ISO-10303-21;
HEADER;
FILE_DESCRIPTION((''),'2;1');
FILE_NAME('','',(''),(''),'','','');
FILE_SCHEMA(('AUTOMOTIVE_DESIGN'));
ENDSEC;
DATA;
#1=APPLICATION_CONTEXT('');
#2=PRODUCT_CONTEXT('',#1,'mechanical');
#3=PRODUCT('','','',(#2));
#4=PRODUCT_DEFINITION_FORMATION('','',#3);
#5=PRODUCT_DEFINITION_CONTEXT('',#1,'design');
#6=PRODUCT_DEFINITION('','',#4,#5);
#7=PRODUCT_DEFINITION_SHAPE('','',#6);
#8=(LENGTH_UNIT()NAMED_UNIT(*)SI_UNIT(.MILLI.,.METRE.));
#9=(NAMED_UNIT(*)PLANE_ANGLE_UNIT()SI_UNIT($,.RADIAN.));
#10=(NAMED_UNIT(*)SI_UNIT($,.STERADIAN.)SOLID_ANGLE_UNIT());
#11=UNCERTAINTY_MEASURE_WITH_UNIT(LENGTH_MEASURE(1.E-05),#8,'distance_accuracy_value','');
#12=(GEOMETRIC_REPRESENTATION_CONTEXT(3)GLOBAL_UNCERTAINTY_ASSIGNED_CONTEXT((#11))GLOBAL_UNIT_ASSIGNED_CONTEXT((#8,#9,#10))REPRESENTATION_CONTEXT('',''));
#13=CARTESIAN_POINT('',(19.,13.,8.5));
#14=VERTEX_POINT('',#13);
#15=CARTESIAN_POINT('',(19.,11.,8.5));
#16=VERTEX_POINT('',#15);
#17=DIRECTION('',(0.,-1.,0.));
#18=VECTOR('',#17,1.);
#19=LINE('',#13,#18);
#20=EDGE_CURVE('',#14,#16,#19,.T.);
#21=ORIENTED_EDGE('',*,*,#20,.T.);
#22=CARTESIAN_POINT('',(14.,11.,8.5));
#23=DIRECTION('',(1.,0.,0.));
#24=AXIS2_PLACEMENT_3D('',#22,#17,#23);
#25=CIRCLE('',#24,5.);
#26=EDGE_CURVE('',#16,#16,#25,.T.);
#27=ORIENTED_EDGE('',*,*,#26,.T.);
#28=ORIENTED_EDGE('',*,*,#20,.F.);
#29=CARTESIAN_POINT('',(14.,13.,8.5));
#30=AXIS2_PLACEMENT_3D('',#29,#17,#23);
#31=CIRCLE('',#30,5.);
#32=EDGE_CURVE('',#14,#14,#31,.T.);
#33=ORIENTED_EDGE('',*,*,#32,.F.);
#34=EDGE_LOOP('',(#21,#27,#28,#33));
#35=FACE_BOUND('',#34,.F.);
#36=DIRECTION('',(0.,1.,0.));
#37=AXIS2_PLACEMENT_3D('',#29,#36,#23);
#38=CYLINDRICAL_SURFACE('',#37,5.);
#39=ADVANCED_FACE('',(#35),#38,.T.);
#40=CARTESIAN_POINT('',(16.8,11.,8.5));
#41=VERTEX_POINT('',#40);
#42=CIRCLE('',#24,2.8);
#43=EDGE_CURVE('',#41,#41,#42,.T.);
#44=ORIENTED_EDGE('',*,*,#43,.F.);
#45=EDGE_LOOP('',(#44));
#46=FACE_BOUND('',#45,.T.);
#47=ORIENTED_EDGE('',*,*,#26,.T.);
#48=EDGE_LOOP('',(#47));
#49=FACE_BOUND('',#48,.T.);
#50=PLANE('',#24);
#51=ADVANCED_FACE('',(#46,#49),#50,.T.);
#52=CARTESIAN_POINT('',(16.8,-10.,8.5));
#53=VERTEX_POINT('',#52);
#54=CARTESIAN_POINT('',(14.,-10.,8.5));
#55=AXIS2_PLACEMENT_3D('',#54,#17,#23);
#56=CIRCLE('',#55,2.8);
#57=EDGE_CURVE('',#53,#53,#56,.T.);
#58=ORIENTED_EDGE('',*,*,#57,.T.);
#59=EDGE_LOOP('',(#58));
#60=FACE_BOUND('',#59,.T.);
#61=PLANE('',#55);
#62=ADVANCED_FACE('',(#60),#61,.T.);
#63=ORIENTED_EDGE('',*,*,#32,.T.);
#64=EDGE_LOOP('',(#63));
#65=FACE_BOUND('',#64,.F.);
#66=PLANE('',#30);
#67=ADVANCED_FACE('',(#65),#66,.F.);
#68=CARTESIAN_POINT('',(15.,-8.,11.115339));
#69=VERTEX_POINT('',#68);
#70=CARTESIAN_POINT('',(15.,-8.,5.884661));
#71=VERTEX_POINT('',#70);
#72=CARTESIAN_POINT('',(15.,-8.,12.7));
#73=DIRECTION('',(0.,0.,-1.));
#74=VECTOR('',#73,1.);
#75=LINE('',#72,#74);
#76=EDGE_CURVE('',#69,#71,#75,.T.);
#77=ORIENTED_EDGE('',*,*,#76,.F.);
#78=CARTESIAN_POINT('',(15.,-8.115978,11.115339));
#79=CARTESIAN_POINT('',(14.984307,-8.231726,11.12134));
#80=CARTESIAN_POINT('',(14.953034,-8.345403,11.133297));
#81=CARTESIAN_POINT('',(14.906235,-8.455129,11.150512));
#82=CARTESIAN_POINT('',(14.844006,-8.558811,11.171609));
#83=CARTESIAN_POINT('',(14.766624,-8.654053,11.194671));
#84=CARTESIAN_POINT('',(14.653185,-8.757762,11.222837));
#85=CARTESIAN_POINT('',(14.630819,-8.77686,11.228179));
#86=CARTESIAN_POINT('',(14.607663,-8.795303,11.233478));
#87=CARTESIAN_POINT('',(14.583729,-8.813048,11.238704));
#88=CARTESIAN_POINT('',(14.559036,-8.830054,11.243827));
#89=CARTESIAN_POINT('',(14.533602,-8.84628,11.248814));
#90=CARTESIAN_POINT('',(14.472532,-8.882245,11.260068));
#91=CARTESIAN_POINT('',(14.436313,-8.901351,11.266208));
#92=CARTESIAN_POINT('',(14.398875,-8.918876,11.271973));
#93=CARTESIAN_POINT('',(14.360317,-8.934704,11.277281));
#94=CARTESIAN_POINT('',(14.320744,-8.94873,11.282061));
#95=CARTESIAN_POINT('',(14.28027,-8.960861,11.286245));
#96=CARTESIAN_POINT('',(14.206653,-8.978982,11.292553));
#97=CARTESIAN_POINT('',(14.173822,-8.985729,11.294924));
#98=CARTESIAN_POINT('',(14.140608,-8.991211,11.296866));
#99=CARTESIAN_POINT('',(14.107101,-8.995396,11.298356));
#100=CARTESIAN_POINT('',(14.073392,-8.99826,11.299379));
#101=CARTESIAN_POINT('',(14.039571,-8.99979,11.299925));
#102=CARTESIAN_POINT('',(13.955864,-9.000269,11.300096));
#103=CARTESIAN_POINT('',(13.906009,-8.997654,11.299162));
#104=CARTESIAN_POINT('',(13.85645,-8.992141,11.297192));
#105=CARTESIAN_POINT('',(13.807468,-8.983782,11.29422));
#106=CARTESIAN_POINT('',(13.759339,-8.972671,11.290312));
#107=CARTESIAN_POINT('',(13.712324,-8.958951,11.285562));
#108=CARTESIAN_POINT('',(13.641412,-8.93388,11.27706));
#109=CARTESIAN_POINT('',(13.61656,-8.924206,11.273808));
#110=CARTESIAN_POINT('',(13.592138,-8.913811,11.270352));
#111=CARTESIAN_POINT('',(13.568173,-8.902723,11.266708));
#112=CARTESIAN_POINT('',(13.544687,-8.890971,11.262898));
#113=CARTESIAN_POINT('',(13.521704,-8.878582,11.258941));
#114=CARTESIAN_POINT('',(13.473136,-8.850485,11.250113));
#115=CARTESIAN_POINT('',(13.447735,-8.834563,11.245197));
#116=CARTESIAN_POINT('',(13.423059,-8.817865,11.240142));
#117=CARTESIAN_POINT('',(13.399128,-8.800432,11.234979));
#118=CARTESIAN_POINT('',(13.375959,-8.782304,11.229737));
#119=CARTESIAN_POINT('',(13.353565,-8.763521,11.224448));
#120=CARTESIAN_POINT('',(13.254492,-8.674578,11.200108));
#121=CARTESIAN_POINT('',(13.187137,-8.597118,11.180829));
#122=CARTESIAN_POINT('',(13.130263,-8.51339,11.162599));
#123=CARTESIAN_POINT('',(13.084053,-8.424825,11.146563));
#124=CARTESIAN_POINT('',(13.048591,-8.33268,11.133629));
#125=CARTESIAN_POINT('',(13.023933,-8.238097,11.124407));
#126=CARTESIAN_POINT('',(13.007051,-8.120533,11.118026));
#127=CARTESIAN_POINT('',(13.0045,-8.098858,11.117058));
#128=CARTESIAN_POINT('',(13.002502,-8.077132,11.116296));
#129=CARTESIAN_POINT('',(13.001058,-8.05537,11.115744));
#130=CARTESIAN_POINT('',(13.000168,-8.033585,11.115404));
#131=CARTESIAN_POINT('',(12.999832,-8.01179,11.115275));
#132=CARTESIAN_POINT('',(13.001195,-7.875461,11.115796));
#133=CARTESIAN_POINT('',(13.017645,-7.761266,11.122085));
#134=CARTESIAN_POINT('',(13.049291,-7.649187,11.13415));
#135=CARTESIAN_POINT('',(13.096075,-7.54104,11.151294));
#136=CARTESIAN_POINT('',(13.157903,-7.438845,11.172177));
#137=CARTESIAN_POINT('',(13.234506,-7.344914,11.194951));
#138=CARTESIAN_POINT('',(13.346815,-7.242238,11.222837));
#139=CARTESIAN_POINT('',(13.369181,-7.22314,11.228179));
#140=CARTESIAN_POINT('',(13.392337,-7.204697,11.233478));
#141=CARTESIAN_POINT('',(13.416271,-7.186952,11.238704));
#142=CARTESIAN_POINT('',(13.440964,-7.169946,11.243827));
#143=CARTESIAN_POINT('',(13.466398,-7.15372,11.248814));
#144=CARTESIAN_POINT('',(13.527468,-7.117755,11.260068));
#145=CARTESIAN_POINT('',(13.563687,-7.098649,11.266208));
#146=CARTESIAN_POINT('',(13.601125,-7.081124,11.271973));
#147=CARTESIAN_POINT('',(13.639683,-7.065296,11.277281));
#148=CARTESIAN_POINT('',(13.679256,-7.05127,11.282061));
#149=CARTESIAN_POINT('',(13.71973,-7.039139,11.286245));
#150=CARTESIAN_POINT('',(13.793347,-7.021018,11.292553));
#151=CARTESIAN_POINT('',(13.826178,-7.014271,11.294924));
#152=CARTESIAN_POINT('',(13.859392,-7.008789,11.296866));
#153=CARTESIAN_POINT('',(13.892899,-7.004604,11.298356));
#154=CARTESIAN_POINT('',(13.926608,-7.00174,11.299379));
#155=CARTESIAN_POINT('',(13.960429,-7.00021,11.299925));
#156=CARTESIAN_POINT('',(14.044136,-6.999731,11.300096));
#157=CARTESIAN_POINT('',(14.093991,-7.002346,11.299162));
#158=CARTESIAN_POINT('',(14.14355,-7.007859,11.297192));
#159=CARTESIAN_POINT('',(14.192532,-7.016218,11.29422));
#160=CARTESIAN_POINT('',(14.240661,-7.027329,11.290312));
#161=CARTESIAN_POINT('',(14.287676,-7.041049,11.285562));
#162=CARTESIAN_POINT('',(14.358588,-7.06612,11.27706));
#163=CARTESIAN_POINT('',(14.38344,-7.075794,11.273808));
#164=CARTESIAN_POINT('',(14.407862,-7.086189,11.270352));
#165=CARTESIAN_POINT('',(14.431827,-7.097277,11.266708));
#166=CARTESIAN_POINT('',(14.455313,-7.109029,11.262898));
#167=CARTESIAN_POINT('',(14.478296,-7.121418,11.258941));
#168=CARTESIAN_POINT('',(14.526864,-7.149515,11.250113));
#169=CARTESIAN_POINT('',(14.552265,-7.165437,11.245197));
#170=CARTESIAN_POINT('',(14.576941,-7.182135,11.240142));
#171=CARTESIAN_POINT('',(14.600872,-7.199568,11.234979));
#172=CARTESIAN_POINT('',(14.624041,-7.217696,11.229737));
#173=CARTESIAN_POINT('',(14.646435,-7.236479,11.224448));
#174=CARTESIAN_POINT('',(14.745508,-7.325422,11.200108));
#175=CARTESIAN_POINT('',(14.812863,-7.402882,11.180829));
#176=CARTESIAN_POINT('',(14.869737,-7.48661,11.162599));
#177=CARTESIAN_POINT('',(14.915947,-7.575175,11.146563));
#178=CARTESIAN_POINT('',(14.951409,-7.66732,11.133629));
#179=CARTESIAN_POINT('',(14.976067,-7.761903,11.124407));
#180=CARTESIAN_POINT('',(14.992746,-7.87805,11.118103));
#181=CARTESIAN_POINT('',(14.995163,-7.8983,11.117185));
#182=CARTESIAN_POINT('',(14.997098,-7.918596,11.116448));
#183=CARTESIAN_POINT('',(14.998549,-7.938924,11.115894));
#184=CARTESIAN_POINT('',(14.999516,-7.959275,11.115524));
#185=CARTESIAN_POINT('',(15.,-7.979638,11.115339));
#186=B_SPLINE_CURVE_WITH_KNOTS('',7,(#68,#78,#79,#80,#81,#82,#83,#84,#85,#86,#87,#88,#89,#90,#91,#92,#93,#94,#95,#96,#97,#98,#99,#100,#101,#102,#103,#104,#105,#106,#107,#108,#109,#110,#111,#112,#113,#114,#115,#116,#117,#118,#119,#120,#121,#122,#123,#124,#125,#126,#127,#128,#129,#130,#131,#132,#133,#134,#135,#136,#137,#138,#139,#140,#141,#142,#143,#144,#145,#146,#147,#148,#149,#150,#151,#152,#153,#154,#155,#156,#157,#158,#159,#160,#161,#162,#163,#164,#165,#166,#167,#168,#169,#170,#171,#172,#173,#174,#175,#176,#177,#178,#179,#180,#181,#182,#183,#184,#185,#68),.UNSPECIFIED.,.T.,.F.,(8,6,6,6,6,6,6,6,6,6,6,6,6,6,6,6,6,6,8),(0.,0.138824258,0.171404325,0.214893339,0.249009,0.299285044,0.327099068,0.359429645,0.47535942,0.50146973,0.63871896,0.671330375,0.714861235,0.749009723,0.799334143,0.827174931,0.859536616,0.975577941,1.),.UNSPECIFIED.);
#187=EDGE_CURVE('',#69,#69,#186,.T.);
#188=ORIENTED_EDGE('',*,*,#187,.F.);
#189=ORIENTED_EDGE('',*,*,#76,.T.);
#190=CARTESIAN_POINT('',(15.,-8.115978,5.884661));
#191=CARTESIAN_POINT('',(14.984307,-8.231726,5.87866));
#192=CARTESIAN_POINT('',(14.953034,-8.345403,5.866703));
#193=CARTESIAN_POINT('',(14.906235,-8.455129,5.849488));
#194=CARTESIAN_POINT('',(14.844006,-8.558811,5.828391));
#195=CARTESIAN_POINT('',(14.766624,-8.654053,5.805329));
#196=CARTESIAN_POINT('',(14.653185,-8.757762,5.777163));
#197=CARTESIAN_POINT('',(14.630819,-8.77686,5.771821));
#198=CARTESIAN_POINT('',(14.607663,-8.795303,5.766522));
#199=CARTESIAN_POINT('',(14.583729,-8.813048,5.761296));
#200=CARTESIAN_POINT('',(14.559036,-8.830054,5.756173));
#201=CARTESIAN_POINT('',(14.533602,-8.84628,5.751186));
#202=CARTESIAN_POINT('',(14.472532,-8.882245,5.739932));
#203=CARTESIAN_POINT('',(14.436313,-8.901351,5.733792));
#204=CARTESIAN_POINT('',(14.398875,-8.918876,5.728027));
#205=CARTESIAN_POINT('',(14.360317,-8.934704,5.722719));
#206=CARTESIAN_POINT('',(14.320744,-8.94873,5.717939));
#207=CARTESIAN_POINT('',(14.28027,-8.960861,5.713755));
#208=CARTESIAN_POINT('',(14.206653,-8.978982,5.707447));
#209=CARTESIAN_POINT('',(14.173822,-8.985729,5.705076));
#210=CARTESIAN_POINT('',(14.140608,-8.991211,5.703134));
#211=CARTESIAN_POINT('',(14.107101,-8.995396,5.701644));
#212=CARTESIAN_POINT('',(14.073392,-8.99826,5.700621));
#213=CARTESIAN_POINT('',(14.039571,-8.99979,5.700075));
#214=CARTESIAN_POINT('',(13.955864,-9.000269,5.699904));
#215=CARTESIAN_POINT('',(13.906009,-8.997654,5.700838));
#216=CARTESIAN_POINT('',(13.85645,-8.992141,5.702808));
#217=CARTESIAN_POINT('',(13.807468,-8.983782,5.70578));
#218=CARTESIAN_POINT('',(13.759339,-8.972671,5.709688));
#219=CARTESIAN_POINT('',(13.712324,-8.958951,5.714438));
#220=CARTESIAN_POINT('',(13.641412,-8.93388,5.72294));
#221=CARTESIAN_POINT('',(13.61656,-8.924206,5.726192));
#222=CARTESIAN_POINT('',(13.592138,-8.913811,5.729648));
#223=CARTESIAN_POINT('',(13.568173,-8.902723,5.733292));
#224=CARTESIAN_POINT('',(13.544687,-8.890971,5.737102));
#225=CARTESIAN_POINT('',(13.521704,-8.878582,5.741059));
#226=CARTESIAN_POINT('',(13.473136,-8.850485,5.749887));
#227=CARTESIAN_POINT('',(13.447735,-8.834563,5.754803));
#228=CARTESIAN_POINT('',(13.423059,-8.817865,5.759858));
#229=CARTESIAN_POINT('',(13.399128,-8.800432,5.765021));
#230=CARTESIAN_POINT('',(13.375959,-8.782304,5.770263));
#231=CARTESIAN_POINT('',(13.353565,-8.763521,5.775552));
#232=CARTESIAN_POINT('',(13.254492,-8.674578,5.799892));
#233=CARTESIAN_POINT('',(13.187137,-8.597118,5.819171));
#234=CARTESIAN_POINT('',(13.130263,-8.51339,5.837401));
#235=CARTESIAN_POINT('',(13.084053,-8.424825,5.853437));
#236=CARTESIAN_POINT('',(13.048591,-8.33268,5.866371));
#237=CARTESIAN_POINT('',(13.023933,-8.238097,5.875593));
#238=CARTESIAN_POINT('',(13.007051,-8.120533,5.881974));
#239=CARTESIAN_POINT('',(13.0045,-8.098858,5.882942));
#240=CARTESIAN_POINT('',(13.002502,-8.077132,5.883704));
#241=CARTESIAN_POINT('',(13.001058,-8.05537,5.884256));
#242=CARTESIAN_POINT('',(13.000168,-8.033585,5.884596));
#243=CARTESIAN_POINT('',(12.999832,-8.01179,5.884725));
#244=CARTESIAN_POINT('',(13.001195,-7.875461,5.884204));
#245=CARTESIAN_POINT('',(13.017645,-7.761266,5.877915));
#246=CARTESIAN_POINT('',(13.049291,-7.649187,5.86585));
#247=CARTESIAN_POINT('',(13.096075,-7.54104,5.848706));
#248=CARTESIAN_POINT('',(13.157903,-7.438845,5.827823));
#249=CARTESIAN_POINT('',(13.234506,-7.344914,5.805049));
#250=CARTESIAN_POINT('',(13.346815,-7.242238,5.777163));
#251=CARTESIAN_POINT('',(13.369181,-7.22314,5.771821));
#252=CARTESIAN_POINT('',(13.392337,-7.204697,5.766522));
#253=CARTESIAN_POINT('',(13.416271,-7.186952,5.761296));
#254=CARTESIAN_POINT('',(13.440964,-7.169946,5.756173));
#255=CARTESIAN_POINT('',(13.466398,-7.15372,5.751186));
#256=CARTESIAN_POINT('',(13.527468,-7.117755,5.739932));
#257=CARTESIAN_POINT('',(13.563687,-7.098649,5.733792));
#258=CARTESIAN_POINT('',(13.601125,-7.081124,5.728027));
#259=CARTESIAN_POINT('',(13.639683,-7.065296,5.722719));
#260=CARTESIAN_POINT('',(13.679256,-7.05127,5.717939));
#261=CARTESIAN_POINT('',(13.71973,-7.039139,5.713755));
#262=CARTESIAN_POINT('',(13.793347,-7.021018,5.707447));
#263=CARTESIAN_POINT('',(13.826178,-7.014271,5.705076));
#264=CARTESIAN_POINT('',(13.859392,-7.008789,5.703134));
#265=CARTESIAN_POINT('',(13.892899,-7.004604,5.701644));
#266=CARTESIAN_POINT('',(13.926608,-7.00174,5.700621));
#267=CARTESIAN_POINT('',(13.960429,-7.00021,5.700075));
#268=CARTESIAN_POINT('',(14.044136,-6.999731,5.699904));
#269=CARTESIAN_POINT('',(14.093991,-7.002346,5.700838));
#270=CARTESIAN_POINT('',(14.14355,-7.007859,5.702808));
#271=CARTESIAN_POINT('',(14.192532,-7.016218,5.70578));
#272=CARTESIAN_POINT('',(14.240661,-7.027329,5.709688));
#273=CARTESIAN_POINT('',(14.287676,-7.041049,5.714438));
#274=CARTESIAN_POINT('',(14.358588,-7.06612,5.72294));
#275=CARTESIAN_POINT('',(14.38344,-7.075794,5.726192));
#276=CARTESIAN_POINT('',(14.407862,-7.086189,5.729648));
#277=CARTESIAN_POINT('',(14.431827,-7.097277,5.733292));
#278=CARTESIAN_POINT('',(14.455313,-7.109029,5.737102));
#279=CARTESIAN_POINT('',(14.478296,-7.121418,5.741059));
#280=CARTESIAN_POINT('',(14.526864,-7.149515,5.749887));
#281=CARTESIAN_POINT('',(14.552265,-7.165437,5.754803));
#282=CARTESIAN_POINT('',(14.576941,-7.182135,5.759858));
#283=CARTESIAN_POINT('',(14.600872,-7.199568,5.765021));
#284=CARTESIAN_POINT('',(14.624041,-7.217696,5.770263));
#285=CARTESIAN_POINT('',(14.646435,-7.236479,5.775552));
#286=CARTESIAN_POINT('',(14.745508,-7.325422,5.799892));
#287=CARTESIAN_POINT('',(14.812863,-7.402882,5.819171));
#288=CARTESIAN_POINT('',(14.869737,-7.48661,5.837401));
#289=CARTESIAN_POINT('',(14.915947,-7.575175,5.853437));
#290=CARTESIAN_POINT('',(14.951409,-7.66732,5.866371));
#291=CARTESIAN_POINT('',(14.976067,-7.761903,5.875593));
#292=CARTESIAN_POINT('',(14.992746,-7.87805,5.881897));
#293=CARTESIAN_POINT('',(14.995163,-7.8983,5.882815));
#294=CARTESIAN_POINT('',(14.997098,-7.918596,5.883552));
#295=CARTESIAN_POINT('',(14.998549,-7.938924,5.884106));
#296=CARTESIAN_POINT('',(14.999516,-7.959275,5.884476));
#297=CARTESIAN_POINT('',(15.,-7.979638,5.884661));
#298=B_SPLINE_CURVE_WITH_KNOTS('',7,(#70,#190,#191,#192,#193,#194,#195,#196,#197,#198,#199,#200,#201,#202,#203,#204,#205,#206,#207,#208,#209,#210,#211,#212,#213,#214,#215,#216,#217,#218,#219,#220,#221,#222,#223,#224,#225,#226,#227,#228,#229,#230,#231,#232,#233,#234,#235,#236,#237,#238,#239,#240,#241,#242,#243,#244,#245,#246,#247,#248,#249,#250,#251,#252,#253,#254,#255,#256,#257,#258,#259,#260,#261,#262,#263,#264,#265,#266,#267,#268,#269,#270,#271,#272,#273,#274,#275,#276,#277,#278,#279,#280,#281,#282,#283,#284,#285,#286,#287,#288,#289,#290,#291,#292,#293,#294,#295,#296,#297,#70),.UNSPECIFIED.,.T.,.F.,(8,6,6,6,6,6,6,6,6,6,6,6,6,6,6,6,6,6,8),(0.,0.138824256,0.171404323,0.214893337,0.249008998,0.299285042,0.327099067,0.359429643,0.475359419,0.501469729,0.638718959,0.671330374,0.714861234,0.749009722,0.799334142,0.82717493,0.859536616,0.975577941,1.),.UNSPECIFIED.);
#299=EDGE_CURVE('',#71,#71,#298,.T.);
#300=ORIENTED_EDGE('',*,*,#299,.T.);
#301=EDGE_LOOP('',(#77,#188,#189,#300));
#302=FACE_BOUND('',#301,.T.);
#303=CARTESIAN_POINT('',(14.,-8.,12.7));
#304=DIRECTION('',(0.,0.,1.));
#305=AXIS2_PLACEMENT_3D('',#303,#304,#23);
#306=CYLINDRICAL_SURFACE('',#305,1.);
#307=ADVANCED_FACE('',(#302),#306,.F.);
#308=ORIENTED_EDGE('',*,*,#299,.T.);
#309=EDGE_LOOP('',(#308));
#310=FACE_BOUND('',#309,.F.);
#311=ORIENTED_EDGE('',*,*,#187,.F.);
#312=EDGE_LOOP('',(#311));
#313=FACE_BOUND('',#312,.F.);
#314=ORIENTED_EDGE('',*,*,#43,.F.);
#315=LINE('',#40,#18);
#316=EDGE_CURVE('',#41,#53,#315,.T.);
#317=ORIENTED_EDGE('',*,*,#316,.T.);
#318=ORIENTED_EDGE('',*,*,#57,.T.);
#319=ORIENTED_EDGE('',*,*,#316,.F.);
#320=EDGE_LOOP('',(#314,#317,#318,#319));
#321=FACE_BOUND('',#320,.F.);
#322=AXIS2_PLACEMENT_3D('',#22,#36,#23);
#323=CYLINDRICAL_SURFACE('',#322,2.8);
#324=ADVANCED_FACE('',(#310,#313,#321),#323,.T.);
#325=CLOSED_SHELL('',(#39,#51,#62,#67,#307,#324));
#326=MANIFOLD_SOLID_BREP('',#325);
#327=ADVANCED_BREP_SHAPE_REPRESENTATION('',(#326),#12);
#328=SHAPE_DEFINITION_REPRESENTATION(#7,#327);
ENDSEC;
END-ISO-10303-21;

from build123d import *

# Parameters (mm, degrees)
SKETCH017_R       = 1
PAD017_DEPTH      = 10
CYLINDER016_R     = 2.8
CYLINDER016_DEPTH = 21
CYLINDER017_R     = 5
CYLINDER017_DEPTH = 2
CUT014_ROLL_ANGLE = 90


with BuildPart() as pad017:
    # Sketch017 → Pad017 (new body)
    with BuildSketch(Plane(origin=(0, 4.2, 21), x_dir=(1, 0, 0), z_dir=(0, -1, 0))):
        Circle(SKETCH017_R)
    extrude(amount=PAD017_DEPTH)


with BuildPart() as eje001:
    # Cylinder016 → Cylinder016 (new body)
    with BuildSketch(Plane.XY.offset(2)):
        Circle(CYLINDER016_R)
    extrude(amount=CYLINDER016_DEPTH)


with BuildPart() as eje_full1:
    # Cylinder017 → Cylinder017 (new body)
    with BuildSketch(Plane.XY):
        Circle(CYLINDER017_R)
    extrude(amount=CYLINDER017_DEPTH)

    # Fusion009003019: union Eje001
    add(eje001.part)

    # Cut014: cut Pad017
    add(pad017.part, mode=Mode.SUBTRACT)


with BuildPart() as eje_full1_1:
    # Cut014 roll: moved
    add(eje_full1.part.rotate(Axis((0, 0, 0), (1, 0, 0)), CUT014_ROLL_ANGLE))


with BuildPart() as eje_full1_2:
    # Cut014 placement: moved
    add(eje_full1_1.part.moved(Location((14, 13, 8.5))))


solid = eje_full1_2.part
